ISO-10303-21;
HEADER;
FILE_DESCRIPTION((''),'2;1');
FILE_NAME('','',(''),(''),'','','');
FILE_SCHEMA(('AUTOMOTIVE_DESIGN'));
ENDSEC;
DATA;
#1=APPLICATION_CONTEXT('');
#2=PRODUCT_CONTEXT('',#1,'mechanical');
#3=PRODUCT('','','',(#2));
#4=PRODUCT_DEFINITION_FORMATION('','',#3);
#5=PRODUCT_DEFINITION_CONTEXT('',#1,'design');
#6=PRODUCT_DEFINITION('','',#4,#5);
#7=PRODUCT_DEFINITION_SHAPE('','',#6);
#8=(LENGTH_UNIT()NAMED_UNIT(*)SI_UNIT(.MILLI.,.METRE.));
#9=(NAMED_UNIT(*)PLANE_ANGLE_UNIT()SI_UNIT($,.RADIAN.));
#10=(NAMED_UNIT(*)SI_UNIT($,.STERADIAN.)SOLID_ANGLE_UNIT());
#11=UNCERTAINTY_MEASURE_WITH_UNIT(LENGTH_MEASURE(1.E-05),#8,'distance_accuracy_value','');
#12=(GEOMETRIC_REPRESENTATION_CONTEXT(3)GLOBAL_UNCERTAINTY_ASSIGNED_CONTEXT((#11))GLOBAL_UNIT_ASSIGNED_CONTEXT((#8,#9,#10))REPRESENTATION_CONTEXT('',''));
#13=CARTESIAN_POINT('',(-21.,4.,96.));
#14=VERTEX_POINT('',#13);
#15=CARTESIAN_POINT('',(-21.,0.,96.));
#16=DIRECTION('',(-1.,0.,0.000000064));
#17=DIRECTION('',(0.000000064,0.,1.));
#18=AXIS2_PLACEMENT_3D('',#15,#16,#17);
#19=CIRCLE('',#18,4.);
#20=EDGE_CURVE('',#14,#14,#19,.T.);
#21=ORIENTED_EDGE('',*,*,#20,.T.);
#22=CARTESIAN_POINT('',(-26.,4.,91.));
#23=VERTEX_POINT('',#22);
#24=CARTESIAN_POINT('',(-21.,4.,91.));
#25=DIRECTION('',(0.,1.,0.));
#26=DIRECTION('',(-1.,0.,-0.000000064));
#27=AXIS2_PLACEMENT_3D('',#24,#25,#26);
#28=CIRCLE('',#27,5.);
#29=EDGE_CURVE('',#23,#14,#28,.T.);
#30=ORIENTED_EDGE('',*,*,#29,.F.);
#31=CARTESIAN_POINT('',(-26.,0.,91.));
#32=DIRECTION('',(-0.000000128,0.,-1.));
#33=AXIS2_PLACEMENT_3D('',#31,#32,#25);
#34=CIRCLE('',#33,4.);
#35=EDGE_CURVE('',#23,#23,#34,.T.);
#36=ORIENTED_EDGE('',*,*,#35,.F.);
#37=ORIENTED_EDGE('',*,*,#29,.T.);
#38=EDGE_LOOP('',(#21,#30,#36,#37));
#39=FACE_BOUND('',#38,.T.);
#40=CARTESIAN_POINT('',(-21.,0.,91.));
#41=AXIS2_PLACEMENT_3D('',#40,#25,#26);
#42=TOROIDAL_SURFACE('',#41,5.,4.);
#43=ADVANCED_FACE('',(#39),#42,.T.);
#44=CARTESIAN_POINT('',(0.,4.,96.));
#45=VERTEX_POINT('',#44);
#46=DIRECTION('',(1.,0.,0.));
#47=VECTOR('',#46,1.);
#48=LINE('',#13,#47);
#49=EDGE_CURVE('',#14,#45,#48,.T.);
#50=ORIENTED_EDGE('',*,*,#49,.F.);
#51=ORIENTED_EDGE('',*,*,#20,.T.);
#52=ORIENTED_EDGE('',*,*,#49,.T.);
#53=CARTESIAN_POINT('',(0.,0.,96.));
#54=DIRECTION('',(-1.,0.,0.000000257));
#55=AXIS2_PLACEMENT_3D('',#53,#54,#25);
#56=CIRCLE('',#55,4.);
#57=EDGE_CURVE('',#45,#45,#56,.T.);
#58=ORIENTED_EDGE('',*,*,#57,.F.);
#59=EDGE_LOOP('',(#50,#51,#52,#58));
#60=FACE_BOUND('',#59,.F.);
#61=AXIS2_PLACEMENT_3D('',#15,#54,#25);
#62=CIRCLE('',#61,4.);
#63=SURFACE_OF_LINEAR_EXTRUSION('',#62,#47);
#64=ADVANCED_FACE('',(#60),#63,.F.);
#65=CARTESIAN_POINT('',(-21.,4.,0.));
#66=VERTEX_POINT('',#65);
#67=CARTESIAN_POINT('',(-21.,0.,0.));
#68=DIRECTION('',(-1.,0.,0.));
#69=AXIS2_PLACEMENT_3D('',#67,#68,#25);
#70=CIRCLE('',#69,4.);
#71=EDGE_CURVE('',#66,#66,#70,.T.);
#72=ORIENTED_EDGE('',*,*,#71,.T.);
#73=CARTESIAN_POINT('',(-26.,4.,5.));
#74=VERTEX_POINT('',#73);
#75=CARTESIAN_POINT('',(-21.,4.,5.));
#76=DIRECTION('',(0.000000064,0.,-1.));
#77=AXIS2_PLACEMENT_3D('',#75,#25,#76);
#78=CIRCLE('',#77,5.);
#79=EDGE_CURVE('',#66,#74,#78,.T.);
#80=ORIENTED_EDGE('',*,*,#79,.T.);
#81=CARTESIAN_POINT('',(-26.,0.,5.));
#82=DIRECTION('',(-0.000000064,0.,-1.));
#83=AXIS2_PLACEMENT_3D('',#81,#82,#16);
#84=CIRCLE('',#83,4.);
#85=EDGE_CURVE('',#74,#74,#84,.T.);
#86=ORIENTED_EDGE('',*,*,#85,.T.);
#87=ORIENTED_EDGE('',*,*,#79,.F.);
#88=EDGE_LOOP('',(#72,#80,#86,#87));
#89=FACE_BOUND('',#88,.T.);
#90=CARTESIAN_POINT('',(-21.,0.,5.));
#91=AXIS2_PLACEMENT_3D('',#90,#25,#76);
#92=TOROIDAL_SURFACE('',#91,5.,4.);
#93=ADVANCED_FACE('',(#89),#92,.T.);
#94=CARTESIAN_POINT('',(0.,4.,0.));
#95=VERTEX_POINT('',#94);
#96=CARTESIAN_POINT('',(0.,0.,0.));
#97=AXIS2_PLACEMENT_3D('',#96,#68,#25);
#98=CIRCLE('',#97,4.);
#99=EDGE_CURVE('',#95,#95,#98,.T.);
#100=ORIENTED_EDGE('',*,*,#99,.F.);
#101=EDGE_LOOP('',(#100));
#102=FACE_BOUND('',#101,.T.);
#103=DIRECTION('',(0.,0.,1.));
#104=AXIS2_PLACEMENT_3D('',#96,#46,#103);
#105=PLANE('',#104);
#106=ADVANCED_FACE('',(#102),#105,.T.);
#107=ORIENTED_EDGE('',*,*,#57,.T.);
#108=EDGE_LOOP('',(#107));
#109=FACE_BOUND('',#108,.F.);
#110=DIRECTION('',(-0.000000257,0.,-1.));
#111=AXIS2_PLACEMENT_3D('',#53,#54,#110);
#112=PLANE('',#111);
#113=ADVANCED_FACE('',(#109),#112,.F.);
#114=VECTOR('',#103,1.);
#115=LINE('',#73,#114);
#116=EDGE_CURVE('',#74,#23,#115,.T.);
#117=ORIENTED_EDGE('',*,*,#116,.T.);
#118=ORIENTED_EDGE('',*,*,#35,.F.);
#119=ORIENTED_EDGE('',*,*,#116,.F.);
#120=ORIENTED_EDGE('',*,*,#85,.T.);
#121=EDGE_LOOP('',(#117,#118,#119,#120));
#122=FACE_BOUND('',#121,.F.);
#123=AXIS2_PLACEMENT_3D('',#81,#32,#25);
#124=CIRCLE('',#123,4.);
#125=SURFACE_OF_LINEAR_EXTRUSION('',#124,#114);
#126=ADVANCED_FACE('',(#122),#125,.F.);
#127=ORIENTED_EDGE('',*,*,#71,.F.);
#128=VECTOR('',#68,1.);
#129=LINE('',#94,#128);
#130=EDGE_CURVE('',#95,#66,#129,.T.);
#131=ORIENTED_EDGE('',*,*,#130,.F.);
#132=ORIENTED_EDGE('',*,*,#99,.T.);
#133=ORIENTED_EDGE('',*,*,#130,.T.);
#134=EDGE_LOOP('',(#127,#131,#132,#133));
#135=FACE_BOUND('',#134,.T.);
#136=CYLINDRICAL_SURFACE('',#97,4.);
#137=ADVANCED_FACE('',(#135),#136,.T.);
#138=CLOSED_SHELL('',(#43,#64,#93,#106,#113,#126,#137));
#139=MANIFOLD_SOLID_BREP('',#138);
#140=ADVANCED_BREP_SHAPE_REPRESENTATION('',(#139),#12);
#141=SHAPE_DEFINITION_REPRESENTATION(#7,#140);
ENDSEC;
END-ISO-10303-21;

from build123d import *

# Parameters (mm, degrees)
F1_R = 4


with BuildPart() as f2:
    # F2: sweep along a path in F0
    with BuildLine(Plane.XZ) as f2_path:
        Line((0, 0), (-21, 0))
        ThreePointArc((-21, 0), (-24.535534, 1.464466), (-26, 5))
        Line((-26, 5), (-26, 91))
        ThreePointArc((-26, 91), (-24.535534, 94.535534), (-21, 96))
        Line((-21, 96), (0, 96))
    # F1 (on Right) → F2 (sweep)
    with BuildSketch(Plane.YZ):
        Circle(F1_R)
    sweep(path=f2_path.line)


solid = f2.part
